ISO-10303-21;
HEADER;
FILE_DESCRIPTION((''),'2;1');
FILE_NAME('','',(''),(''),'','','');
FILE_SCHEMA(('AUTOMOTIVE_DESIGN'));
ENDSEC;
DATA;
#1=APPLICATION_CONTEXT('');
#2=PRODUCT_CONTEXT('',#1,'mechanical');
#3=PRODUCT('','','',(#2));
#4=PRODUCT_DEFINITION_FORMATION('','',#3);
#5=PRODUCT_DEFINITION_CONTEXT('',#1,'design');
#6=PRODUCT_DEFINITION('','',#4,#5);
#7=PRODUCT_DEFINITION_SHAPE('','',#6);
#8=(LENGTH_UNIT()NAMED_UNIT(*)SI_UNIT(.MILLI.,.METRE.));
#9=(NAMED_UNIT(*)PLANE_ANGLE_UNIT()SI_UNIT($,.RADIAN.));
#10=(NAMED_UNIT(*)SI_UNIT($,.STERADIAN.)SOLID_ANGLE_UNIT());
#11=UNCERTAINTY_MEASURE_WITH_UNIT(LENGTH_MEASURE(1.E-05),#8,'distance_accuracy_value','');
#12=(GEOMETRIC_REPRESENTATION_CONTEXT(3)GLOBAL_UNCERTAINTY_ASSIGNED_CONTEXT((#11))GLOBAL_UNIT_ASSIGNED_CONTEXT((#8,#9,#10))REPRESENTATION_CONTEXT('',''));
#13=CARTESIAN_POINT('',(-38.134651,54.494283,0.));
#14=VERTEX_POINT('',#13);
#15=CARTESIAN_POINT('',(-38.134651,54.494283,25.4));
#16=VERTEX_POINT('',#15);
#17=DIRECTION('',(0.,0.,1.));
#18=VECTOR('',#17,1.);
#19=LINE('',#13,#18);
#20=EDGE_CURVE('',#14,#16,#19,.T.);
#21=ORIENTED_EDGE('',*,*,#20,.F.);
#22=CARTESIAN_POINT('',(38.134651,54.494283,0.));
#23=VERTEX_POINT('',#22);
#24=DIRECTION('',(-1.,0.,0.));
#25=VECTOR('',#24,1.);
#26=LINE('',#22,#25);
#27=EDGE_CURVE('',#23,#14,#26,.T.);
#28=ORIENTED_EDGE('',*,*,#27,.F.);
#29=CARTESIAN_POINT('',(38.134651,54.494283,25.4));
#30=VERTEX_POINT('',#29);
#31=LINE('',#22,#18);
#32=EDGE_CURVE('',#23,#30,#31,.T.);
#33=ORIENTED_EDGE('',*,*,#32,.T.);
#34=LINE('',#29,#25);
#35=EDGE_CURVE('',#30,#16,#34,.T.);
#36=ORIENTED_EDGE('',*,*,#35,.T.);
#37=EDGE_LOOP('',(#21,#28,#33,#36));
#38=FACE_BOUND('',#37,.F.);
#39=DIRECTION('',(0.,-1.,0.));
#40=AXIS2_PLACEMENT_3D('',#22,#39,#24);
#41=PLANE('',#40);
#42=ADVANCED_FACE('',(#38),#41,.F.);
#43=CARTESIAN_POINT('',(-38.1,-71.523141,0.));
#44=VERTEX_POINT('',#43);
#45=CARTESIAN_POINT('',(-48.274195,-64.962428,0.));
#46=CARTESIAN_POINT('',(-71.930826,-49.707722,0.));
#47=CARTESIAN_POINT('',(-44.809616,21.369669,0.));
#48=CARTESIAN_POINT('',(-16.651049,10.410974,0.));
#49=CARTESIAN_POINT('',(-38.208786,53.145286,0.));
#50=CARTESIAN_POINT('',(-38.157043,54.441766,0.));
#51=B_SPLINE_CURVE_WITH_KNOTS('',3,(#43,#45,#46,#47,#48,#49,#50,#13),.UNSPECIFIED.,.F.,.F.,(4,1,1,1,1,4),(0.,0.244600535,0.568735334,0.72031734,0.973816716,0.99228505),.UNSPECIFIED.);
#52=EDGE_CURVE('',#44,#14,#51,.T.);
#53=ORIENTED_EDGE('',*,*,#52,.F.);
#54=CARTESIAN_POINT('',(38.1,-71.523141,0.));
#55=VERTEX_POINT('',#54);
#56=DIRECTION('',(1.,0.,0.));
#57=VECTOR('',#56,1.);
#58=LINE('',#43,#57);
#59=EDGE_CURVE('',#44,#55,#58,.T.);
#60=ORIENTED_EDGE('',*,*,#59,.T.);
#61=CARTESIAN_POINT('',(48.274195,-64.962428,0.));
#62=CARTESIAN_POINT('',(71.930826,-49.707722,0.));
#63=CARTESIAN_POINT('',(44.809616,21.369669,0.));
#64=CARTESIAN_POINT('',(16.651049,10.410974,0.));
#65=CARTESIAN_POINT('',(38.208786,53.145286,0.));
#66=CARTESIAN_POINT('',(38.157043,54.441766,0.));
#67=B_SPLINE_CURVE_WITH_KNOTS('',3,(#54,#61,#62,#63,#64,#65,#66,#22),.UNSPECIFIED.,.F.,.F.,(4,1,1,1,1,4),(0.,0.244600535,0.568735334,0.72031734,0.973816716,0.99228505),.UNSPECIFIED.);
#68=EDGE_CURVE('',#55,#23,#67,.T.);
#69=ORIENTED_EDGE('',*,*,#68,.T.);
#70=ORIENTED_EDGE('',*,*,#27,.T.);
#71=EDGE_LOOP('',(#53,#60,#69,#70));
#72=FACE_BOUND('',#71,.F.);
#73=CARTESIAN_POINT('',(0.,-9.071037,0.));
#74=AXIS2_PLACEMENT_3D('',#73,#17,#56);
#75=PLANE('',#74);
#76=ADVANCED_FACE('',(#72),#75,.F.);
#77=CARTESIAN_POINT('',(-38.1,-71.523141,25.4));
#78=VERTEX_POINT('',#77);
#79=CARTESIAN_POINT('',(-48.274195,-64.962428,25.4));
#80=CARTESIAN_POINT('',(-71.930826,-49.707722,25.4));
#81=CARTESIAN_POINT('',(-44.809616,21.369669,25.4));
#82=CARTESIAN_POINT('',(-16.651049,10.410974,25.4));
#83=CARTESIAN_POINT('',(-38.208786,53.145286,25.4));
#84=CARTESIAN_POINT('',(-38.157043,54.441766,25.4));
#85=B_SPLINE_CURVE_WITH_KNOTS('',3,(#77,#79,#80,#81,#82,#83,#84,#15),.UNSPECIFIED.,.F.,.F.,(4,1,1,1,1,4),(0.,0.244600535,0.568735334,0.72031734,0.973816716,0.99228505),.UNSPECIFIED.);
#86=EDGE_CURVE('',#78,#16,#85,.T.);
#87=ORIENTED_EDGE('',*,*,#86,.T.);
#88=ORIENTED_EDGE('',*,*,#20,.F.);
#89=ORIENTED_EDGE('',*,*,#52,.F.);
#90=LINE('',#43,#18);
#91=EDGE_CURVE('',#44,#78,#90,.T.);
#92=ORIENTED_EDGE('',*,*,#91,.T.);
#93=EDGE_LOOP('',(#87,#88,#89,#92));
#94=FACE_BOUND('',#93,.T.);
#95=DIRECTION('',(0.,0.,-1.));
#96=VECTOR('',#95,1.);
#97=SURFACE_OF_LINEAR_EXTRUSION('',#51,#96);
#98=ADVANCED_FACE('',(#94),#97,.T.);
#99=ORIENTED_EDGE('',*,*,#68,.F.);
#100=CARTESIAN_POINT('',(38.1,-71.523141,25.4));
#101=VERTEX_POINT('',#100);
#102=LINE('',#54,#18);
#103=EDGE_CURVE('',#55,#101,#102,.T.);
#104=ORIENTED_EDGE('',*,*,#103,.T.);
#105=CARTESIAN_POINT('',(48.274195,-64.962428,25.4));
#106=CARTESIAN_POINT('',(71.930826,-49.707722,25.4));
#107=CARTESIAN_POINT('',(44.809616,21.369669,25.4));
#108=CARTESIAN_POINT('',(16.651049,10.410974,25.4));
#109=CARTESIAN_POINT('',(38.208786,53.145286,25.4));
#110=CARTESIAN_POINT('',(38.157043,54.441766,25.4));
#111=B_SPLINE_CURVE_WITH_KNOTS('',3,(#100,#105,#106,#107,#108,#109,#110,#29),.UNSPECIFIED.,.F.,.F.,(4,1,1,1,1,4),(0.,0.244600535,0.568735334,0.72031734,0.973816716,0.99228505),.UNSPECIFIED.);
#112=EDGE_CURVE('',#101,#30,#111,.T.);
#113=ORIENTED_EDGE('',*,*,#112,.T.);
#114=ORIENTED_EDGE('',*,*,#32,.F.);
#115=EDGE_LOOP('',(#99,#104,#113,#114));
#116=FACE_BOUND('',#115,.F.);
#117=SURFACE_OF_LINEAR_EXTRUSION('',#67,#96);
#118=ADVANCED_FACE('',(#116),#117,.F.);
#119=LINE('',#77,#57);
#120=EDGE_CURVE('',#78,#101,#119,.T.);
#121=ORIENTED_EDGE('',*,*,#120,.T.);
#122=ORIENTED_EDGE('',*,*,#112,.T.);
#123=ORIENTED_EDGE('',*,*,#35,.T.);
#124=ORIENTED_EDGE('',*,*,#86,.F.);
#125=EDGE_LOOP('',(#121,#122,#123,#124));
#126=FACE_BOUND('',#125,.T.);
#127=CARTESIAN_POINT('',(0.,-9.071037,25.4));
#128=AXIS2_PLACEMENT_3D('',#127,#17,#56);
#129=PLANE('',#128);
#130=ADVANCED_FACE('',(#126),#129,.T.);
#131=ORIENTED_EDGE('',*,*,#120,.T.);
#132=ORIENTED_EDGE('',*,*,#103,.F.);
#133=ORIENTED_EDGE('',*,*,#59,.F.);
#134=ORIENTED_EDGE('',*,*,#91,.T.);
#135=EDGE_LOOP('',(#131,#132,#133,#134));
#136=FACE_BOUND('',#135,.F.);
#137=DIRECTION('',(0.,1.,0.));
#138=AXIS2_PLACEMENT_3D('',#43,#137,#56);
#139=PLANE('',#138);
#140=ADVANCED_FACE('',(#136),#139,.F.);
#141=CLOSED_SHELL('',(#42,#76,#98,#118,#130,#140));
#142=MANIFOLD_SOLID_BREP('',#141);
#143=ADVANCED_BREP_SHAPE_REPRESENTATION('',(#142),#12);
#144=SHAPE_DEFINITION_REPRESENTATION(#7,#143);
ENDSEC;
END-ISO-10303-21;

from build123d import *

# Parameters (mm, degrees)
F1_DEPTH = 25.4


with BuildPart() as f1:
    # F0 (on Top) → F1 (new body)
    with BuildSketch(Plane.XY):
        with BuildLine():
            Line((-38.1, -71.523140604), (0, -71.523140604))
            Line((0, -71.523140604), (38.1, -71.523140604))
            add(Edge.make_bspline(
                [(38.1, -71.523140604), (48.2741954536, -64.9624276604), (71.9308258893, -49.7077215551), (44.8096160472, 21.3696690898), (16.6510485068, 10.4109744948), (38.2087855797, 53.1452856614), (38.1570430733, 54.4417662738), (38.1346509844, 54.4942833535)],
                knots=[0, 0, 0, 0, 0.2446005346, 0.5687353342, 0.7203173401, 0.9738167162, 0.9922850496, 0.9922850496, 0.9922850496, 0.9922850496], degree=3))
            Line((38.1346509844, 54.4942833535), (-38.1346509844, 54.4942833535))
            add(Edge.make_bspline(
                [(-38.1, -71.523140604), (-48.2741954536, -64.9624276604), (-71.9308258893, -49.7077215551), (-44.8096160472, 21.3696690898), (-16.6510485068, 10.4109744948), (-38.2087855797, 53.1452856614), (-38.1570430733, 54.4417662738), (-38.1346509844, 54.4942833535)],
                knots=[0, 0, 0, 0, 0.2446005346, 0.5687353342, 0.7203173401, 0.9738167162, 0.9922850496, 0.9922850496, 0.9922850496, 0.9922850496], degree=3))
        make_face()
    extrude(amount=F1_DEPTH)


solid = f1.part
